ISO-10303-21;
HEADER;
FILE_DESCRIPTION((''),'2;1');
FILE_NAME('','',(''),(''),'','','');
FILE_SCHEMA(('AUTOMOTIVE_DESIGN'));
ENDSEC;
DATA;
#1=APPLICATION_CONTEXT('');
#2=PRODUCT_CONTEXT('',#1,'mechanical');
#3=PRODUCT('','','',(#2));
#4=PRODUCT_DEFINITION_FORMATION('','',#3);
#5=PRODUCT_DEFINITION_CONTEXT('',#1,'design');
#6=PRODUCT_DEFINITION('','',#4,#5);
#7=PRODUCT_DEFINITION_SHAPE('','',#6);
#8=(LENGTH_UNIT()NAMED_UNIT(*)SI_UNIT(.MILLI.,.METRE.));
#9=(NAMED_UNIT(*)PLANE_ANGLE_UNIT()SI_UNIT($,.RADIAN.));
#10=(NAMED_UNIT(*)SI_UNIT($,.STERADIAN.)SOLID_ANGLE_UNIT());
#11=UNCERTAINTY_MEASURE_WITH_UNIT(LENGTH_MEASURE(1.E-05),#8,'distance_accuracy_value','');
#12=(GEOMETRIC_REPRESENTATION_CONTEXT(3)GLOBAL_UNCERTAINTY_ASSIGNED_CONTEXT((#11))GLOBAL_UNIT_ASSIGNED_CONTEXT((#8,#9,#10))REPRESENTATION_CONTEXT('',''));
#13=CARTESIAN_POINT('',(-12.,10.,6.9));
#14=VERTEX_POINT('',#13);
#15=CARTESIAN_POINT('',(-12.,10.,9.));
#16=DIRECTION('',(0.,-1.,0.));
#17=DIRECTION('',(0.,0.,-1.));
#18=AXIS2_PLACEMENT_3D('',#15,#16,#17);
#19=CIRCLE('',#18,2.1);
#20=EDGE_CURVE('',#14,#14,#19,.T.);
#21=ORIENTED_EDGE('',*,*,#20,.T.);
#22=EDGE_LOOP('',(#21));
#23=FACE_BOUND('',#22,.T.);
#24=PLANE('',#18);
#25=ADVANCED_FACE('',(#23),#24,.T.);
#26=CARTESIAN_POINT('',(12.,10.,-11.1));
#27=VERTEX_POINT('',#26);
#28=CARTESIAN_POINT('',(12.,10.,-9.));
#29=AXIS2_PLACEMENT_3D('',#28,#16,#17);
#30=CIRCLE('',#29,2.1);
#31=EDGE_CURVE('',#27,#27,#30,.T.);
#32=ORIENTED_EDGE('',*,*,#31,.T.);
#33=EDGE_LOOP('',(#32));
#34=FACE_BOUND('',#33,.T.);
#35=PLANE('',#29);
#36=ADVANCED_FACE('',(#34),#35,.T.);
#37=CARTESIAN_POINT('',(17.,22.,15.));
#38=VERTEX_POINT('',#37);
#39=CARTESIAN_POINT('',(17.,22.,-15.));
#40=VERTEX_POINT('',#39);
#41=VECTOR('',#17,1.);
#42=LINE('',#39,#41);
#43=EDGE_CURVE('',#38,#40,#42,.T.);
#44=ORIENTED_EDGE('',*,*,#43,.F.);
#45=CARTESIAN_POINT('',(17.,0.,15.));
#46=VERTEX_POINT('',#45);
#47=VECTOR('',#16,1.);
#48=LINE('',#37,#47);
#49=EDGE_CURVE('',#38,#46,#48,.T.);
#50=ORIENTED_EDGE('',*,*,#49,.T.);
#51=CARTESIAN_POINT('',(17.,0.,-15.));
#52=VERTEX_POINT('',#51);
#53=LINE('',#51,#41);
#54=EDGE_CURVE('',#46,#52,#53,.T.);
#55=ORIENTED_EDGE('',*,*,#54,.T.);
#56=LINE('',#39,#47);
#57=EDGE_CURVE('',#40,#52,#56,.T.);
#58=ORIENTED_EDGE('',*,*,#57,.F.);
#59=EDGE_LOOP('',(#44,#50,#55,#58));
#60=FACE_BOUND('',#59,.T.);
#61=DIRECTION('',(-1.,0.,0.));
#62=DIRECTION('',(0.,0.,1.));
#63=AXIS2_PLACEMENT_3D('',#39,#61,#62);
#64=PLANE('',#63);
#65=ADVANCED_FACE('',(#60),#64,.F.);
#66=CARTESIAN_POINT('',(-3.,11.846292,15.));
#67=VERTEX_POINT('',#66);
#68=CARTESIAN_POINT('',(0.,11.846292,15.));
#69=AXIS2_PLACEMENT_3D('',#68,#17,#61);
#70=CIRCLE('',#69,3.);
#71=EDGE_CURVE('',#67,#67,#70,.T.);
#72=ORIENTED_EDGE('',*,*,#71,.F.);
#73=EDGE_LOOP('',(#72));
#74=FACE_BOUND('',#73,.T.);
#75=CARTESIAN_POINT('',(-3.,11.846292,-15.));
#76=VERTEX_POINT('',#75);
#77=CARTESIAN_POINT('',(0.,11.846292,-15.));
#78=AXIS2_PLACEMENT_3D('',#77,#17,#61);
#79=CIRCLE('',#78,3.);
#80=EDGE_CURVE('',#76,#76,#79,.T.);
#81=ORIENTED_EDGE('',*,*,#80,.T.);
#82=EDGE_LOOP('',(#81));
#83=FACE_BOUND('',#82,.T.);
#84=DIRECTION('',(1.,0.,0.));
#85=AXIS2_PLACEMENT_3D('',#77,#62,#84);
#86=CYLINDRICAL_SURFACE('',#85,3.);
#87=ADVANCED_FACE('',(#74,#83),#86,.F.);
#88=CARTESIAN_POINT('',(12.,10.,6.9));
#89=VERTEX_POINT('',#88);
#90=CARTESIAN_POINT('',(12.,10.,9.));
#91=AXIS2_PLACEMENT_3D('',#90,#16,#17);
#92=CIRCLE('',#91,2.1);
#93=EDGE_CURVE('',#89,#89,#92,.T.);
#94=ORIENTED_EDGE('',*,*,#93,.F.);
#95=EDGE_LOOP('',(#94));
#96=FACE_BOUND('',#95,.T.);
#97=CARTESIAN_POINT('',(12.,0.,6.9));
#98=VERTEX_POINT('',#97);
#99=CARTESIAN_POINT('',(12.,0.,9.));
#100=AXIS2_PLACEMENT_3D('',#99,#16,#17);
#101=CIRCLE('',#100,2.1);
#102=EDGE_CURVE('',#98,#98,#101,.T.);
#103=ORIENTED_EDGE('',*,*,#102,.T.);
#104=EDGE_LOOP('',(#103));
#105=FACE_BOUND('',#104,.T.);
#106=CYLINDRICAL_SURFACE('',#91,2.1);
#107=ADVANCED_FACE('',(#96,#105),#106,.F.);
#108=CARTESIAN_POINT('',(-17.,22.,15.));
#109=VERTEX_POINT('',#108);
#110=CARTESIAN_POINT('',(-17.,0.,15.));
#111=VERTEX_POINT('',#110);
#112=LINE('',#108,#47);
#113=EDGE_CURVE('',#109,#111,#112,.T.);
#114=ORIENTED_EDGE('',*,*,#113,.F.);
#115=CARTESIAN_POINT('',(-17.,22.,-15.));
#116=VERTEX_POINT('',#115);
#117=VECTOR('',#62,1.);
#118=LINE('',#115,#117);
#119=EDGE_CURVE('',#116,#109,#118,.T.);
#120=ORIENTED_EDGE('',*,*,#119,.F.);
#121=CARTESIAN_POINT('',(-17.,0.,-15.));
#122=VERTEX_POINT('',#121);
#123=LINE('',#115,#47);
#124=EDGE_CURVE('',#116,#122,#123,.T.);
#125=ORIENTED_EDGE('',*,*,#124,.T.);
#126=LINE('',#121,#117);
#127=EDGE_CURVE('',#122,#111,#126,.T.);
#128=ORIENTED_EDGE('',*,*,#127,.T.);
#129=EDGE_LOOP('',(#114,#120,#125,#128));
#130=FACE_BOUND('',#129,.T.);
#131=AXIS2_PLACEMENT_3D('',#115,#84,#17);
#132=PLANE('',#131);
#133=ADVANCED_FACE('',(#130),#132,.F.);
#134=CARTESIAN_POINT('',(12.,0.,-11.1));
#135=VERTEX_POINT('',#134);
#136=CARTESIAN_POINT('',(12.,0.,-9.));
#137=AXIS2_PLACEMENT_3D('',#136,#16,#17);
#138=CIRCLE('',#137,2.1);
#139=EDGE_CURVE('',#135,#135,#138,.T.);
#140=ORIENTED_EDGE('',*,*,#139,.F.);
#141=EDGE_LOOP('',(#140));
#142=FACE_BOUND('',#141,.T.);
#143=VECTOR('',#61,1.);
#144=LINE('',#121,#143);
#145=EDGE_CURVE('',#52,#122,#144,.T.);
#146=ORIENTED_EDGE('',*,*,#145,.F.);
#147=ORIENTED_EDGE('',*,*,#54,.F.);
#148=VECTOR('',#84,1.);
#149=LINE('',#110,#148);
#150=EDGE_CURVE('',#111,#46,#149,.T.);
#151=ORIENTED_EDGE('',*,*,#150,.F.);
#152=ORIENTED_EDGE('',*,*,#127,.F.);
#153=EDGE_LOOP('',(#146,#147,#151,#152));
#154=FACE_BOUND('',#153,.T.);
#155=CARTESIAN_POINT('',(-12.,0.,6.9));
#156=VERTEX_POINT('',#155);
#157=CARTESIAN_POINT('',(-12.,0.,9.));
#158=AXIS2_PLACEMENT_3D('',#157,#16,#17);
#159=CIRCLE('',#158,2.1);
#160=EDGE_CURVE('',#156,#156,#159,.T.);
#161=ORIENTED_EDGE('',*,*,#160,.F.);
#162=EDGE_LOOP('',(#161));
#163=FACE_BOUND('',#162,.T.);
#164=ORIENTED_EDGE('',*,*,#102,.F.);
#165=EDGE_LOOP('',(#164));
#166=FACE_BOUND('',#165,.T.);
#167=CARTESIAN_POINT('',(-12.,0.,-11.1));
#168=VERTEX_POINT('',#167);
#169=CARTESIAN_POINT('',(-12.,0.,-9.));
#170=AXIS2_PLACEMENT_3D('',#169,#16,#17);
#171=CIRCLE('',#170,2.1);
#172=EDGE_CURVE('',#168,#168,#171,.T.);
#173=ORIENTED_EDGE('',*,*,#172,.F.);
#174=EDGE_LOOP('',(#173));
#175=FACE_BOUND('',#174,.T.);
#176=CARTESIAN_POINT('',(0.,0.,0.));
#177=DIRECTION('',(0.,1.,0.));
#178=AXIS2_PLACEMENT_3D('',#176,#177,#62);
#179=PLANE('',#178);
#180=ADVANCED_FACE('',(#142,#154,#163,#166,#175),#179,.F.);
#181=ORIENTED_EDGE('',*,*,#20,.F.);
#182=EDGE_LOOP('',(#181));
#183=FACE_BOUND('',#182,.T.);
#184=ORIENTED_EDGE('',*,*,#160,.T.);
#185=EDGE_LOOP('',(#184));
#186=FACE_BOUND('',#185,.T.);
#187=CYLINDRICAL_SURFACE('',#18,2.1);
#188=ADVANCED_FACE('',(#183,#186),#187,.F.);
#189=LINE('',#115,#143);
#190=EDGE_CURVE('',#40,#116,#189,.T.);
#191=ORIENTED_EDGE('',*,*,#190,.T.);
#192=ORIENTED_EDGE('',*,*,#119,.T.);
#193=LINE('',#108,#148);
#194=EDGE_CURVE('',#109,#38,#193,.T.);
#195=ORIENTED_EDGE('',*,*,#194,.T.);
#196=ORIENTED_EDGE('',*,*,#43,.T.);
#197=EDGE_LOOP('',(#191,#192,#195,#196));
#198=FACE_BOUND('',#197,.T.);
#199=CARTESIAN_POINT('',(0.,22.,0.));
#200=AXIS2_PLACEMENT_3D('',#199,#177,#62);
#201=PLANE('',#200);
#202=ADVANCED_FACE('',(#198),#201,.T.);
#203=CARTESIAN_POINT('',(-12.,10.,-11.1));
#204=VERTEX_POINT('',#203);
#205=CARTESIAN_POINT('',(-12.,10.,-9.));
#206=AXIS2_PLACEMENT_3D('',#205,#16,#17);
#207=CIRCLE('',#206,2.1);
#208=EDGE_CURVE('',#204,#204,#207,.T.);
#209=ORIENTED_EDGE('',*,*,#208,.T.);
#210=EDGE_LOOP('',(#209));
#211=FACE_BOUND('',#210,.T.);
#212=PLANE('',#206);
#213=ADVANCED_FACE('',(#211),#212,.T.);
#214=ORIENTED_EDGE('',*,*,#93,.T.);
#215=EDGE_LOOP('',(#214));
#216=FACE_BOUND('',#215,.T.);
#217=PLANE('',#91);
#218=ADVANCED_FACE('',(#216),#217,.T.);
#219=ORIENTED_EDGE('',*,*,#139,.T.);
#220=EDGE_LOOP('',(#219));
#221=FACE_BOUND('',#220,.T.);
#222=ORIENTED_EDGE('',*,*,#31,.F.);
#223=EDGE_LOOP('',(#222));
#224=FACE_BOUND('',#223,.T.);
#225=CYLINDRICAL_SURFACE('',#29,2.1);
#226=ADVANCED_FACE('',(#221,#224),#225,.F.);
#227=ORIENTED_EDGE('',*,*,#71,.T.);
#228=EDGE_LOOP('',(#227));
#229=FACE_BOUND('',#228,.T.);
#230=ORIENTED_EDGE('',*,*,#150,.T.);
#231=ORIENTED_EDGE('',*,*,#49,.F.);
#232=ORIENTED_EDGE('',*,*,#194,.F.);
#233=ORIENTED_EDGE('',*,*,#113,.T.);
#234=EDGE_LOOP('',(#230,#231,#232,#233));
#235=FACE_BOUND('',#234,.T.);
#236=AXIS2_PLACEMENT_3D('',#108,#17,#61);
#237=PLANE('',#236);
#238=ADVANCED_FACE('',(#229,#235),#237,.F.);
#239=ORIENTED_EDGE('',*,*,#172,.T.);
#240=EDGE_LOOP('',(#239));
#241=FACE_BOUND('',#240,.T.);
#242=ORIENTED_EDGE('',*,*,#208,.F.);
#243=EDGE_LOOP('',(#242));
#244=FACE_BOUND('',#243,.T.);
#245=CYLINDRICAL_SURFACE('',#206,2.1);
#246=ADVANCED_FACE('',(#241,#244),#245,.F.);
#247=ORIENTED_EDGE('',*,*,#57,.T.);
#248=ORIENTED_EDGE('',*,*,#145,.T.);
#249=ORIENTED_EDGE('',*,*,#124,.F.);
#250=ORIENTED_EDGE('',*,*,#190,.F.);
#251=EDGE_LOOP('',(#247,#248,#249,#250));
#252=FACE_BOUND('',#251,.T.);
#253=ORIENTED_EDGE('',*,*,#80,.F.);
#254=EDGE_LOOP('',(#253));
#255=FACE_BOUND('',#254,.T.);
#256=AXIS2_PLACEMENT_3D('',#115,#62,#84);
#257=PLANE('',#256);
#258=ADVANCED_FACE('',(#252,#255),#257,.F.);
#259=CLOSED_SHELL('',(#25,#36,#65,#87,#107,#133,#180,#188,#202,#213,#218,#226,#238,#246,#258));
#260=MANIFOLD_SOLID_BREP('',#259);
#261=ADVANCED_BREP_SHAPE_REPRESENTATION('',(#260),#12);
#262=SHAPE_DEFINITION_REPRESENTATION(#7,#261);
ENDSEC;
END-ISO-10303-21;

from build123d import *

# Parameters (mm, degrees)
SKETCH_1_W          = 34
SKETCH_1_H          = 30
EXTRUDE_1_DEPTH     = 22
SKETCH_2_R          = 3
CUT_EXTRUDE_1_DEPTH = 42.773197148
SKETCH_3_R          = 2.1
CUT_EXTRUDE_2_DEPTH = 10


with BuildPart() as part:
    # 草图1 → 凸台-拉伸1 (new body)
    with BuildSketch(Plane(origin=(0, 0, 0), x_dir=(1, 0, 0), z_dir=(0, 1, 0))):
        Rectangle(SKETCH_1_W, SKETCH_1_H)
    extrude(amount=EXTRUDE_1_DEPTH)

    # 草图2 → 切除-拉伸1 (cut, through all)
    with BuildSketch(Plane(origin=(2, 0, 15), x_dir=(-1, 0, 0), z_dir=(0, 0, -1))):
        with Locations((2, 11.846291658)):
            Circle(SKETCH_2_R)
    extrude(amount=CUT_EXTRUDE_1_DEPTH, mode=Mode.SUBTRACT)

    # 草图3 → 切除-拉伸2 (cut)
    with BuildSketch(Plane.XZ):
        with Locations(Location((12, 9, 0), (0, 0, 270))):
            Circle(SKETCH_3_R)
        with Locations(Location((12, -9, 0), (0, 0, 270))):
            Circle(SKETCH_3_R)
        with Locations(Location((-12, 9, 0), (0, 0, 270))):
            Circle(SKETCH_3_R)
        with Locations(Location((-12, -9, 0), (0, 0, 270))):
            Circle(SKETCH_3_R)
    extrude(amount=-CUT_EXTRUDE_2_DEPTH, mode=Mode.SUBTRACT)


solid = part.part
